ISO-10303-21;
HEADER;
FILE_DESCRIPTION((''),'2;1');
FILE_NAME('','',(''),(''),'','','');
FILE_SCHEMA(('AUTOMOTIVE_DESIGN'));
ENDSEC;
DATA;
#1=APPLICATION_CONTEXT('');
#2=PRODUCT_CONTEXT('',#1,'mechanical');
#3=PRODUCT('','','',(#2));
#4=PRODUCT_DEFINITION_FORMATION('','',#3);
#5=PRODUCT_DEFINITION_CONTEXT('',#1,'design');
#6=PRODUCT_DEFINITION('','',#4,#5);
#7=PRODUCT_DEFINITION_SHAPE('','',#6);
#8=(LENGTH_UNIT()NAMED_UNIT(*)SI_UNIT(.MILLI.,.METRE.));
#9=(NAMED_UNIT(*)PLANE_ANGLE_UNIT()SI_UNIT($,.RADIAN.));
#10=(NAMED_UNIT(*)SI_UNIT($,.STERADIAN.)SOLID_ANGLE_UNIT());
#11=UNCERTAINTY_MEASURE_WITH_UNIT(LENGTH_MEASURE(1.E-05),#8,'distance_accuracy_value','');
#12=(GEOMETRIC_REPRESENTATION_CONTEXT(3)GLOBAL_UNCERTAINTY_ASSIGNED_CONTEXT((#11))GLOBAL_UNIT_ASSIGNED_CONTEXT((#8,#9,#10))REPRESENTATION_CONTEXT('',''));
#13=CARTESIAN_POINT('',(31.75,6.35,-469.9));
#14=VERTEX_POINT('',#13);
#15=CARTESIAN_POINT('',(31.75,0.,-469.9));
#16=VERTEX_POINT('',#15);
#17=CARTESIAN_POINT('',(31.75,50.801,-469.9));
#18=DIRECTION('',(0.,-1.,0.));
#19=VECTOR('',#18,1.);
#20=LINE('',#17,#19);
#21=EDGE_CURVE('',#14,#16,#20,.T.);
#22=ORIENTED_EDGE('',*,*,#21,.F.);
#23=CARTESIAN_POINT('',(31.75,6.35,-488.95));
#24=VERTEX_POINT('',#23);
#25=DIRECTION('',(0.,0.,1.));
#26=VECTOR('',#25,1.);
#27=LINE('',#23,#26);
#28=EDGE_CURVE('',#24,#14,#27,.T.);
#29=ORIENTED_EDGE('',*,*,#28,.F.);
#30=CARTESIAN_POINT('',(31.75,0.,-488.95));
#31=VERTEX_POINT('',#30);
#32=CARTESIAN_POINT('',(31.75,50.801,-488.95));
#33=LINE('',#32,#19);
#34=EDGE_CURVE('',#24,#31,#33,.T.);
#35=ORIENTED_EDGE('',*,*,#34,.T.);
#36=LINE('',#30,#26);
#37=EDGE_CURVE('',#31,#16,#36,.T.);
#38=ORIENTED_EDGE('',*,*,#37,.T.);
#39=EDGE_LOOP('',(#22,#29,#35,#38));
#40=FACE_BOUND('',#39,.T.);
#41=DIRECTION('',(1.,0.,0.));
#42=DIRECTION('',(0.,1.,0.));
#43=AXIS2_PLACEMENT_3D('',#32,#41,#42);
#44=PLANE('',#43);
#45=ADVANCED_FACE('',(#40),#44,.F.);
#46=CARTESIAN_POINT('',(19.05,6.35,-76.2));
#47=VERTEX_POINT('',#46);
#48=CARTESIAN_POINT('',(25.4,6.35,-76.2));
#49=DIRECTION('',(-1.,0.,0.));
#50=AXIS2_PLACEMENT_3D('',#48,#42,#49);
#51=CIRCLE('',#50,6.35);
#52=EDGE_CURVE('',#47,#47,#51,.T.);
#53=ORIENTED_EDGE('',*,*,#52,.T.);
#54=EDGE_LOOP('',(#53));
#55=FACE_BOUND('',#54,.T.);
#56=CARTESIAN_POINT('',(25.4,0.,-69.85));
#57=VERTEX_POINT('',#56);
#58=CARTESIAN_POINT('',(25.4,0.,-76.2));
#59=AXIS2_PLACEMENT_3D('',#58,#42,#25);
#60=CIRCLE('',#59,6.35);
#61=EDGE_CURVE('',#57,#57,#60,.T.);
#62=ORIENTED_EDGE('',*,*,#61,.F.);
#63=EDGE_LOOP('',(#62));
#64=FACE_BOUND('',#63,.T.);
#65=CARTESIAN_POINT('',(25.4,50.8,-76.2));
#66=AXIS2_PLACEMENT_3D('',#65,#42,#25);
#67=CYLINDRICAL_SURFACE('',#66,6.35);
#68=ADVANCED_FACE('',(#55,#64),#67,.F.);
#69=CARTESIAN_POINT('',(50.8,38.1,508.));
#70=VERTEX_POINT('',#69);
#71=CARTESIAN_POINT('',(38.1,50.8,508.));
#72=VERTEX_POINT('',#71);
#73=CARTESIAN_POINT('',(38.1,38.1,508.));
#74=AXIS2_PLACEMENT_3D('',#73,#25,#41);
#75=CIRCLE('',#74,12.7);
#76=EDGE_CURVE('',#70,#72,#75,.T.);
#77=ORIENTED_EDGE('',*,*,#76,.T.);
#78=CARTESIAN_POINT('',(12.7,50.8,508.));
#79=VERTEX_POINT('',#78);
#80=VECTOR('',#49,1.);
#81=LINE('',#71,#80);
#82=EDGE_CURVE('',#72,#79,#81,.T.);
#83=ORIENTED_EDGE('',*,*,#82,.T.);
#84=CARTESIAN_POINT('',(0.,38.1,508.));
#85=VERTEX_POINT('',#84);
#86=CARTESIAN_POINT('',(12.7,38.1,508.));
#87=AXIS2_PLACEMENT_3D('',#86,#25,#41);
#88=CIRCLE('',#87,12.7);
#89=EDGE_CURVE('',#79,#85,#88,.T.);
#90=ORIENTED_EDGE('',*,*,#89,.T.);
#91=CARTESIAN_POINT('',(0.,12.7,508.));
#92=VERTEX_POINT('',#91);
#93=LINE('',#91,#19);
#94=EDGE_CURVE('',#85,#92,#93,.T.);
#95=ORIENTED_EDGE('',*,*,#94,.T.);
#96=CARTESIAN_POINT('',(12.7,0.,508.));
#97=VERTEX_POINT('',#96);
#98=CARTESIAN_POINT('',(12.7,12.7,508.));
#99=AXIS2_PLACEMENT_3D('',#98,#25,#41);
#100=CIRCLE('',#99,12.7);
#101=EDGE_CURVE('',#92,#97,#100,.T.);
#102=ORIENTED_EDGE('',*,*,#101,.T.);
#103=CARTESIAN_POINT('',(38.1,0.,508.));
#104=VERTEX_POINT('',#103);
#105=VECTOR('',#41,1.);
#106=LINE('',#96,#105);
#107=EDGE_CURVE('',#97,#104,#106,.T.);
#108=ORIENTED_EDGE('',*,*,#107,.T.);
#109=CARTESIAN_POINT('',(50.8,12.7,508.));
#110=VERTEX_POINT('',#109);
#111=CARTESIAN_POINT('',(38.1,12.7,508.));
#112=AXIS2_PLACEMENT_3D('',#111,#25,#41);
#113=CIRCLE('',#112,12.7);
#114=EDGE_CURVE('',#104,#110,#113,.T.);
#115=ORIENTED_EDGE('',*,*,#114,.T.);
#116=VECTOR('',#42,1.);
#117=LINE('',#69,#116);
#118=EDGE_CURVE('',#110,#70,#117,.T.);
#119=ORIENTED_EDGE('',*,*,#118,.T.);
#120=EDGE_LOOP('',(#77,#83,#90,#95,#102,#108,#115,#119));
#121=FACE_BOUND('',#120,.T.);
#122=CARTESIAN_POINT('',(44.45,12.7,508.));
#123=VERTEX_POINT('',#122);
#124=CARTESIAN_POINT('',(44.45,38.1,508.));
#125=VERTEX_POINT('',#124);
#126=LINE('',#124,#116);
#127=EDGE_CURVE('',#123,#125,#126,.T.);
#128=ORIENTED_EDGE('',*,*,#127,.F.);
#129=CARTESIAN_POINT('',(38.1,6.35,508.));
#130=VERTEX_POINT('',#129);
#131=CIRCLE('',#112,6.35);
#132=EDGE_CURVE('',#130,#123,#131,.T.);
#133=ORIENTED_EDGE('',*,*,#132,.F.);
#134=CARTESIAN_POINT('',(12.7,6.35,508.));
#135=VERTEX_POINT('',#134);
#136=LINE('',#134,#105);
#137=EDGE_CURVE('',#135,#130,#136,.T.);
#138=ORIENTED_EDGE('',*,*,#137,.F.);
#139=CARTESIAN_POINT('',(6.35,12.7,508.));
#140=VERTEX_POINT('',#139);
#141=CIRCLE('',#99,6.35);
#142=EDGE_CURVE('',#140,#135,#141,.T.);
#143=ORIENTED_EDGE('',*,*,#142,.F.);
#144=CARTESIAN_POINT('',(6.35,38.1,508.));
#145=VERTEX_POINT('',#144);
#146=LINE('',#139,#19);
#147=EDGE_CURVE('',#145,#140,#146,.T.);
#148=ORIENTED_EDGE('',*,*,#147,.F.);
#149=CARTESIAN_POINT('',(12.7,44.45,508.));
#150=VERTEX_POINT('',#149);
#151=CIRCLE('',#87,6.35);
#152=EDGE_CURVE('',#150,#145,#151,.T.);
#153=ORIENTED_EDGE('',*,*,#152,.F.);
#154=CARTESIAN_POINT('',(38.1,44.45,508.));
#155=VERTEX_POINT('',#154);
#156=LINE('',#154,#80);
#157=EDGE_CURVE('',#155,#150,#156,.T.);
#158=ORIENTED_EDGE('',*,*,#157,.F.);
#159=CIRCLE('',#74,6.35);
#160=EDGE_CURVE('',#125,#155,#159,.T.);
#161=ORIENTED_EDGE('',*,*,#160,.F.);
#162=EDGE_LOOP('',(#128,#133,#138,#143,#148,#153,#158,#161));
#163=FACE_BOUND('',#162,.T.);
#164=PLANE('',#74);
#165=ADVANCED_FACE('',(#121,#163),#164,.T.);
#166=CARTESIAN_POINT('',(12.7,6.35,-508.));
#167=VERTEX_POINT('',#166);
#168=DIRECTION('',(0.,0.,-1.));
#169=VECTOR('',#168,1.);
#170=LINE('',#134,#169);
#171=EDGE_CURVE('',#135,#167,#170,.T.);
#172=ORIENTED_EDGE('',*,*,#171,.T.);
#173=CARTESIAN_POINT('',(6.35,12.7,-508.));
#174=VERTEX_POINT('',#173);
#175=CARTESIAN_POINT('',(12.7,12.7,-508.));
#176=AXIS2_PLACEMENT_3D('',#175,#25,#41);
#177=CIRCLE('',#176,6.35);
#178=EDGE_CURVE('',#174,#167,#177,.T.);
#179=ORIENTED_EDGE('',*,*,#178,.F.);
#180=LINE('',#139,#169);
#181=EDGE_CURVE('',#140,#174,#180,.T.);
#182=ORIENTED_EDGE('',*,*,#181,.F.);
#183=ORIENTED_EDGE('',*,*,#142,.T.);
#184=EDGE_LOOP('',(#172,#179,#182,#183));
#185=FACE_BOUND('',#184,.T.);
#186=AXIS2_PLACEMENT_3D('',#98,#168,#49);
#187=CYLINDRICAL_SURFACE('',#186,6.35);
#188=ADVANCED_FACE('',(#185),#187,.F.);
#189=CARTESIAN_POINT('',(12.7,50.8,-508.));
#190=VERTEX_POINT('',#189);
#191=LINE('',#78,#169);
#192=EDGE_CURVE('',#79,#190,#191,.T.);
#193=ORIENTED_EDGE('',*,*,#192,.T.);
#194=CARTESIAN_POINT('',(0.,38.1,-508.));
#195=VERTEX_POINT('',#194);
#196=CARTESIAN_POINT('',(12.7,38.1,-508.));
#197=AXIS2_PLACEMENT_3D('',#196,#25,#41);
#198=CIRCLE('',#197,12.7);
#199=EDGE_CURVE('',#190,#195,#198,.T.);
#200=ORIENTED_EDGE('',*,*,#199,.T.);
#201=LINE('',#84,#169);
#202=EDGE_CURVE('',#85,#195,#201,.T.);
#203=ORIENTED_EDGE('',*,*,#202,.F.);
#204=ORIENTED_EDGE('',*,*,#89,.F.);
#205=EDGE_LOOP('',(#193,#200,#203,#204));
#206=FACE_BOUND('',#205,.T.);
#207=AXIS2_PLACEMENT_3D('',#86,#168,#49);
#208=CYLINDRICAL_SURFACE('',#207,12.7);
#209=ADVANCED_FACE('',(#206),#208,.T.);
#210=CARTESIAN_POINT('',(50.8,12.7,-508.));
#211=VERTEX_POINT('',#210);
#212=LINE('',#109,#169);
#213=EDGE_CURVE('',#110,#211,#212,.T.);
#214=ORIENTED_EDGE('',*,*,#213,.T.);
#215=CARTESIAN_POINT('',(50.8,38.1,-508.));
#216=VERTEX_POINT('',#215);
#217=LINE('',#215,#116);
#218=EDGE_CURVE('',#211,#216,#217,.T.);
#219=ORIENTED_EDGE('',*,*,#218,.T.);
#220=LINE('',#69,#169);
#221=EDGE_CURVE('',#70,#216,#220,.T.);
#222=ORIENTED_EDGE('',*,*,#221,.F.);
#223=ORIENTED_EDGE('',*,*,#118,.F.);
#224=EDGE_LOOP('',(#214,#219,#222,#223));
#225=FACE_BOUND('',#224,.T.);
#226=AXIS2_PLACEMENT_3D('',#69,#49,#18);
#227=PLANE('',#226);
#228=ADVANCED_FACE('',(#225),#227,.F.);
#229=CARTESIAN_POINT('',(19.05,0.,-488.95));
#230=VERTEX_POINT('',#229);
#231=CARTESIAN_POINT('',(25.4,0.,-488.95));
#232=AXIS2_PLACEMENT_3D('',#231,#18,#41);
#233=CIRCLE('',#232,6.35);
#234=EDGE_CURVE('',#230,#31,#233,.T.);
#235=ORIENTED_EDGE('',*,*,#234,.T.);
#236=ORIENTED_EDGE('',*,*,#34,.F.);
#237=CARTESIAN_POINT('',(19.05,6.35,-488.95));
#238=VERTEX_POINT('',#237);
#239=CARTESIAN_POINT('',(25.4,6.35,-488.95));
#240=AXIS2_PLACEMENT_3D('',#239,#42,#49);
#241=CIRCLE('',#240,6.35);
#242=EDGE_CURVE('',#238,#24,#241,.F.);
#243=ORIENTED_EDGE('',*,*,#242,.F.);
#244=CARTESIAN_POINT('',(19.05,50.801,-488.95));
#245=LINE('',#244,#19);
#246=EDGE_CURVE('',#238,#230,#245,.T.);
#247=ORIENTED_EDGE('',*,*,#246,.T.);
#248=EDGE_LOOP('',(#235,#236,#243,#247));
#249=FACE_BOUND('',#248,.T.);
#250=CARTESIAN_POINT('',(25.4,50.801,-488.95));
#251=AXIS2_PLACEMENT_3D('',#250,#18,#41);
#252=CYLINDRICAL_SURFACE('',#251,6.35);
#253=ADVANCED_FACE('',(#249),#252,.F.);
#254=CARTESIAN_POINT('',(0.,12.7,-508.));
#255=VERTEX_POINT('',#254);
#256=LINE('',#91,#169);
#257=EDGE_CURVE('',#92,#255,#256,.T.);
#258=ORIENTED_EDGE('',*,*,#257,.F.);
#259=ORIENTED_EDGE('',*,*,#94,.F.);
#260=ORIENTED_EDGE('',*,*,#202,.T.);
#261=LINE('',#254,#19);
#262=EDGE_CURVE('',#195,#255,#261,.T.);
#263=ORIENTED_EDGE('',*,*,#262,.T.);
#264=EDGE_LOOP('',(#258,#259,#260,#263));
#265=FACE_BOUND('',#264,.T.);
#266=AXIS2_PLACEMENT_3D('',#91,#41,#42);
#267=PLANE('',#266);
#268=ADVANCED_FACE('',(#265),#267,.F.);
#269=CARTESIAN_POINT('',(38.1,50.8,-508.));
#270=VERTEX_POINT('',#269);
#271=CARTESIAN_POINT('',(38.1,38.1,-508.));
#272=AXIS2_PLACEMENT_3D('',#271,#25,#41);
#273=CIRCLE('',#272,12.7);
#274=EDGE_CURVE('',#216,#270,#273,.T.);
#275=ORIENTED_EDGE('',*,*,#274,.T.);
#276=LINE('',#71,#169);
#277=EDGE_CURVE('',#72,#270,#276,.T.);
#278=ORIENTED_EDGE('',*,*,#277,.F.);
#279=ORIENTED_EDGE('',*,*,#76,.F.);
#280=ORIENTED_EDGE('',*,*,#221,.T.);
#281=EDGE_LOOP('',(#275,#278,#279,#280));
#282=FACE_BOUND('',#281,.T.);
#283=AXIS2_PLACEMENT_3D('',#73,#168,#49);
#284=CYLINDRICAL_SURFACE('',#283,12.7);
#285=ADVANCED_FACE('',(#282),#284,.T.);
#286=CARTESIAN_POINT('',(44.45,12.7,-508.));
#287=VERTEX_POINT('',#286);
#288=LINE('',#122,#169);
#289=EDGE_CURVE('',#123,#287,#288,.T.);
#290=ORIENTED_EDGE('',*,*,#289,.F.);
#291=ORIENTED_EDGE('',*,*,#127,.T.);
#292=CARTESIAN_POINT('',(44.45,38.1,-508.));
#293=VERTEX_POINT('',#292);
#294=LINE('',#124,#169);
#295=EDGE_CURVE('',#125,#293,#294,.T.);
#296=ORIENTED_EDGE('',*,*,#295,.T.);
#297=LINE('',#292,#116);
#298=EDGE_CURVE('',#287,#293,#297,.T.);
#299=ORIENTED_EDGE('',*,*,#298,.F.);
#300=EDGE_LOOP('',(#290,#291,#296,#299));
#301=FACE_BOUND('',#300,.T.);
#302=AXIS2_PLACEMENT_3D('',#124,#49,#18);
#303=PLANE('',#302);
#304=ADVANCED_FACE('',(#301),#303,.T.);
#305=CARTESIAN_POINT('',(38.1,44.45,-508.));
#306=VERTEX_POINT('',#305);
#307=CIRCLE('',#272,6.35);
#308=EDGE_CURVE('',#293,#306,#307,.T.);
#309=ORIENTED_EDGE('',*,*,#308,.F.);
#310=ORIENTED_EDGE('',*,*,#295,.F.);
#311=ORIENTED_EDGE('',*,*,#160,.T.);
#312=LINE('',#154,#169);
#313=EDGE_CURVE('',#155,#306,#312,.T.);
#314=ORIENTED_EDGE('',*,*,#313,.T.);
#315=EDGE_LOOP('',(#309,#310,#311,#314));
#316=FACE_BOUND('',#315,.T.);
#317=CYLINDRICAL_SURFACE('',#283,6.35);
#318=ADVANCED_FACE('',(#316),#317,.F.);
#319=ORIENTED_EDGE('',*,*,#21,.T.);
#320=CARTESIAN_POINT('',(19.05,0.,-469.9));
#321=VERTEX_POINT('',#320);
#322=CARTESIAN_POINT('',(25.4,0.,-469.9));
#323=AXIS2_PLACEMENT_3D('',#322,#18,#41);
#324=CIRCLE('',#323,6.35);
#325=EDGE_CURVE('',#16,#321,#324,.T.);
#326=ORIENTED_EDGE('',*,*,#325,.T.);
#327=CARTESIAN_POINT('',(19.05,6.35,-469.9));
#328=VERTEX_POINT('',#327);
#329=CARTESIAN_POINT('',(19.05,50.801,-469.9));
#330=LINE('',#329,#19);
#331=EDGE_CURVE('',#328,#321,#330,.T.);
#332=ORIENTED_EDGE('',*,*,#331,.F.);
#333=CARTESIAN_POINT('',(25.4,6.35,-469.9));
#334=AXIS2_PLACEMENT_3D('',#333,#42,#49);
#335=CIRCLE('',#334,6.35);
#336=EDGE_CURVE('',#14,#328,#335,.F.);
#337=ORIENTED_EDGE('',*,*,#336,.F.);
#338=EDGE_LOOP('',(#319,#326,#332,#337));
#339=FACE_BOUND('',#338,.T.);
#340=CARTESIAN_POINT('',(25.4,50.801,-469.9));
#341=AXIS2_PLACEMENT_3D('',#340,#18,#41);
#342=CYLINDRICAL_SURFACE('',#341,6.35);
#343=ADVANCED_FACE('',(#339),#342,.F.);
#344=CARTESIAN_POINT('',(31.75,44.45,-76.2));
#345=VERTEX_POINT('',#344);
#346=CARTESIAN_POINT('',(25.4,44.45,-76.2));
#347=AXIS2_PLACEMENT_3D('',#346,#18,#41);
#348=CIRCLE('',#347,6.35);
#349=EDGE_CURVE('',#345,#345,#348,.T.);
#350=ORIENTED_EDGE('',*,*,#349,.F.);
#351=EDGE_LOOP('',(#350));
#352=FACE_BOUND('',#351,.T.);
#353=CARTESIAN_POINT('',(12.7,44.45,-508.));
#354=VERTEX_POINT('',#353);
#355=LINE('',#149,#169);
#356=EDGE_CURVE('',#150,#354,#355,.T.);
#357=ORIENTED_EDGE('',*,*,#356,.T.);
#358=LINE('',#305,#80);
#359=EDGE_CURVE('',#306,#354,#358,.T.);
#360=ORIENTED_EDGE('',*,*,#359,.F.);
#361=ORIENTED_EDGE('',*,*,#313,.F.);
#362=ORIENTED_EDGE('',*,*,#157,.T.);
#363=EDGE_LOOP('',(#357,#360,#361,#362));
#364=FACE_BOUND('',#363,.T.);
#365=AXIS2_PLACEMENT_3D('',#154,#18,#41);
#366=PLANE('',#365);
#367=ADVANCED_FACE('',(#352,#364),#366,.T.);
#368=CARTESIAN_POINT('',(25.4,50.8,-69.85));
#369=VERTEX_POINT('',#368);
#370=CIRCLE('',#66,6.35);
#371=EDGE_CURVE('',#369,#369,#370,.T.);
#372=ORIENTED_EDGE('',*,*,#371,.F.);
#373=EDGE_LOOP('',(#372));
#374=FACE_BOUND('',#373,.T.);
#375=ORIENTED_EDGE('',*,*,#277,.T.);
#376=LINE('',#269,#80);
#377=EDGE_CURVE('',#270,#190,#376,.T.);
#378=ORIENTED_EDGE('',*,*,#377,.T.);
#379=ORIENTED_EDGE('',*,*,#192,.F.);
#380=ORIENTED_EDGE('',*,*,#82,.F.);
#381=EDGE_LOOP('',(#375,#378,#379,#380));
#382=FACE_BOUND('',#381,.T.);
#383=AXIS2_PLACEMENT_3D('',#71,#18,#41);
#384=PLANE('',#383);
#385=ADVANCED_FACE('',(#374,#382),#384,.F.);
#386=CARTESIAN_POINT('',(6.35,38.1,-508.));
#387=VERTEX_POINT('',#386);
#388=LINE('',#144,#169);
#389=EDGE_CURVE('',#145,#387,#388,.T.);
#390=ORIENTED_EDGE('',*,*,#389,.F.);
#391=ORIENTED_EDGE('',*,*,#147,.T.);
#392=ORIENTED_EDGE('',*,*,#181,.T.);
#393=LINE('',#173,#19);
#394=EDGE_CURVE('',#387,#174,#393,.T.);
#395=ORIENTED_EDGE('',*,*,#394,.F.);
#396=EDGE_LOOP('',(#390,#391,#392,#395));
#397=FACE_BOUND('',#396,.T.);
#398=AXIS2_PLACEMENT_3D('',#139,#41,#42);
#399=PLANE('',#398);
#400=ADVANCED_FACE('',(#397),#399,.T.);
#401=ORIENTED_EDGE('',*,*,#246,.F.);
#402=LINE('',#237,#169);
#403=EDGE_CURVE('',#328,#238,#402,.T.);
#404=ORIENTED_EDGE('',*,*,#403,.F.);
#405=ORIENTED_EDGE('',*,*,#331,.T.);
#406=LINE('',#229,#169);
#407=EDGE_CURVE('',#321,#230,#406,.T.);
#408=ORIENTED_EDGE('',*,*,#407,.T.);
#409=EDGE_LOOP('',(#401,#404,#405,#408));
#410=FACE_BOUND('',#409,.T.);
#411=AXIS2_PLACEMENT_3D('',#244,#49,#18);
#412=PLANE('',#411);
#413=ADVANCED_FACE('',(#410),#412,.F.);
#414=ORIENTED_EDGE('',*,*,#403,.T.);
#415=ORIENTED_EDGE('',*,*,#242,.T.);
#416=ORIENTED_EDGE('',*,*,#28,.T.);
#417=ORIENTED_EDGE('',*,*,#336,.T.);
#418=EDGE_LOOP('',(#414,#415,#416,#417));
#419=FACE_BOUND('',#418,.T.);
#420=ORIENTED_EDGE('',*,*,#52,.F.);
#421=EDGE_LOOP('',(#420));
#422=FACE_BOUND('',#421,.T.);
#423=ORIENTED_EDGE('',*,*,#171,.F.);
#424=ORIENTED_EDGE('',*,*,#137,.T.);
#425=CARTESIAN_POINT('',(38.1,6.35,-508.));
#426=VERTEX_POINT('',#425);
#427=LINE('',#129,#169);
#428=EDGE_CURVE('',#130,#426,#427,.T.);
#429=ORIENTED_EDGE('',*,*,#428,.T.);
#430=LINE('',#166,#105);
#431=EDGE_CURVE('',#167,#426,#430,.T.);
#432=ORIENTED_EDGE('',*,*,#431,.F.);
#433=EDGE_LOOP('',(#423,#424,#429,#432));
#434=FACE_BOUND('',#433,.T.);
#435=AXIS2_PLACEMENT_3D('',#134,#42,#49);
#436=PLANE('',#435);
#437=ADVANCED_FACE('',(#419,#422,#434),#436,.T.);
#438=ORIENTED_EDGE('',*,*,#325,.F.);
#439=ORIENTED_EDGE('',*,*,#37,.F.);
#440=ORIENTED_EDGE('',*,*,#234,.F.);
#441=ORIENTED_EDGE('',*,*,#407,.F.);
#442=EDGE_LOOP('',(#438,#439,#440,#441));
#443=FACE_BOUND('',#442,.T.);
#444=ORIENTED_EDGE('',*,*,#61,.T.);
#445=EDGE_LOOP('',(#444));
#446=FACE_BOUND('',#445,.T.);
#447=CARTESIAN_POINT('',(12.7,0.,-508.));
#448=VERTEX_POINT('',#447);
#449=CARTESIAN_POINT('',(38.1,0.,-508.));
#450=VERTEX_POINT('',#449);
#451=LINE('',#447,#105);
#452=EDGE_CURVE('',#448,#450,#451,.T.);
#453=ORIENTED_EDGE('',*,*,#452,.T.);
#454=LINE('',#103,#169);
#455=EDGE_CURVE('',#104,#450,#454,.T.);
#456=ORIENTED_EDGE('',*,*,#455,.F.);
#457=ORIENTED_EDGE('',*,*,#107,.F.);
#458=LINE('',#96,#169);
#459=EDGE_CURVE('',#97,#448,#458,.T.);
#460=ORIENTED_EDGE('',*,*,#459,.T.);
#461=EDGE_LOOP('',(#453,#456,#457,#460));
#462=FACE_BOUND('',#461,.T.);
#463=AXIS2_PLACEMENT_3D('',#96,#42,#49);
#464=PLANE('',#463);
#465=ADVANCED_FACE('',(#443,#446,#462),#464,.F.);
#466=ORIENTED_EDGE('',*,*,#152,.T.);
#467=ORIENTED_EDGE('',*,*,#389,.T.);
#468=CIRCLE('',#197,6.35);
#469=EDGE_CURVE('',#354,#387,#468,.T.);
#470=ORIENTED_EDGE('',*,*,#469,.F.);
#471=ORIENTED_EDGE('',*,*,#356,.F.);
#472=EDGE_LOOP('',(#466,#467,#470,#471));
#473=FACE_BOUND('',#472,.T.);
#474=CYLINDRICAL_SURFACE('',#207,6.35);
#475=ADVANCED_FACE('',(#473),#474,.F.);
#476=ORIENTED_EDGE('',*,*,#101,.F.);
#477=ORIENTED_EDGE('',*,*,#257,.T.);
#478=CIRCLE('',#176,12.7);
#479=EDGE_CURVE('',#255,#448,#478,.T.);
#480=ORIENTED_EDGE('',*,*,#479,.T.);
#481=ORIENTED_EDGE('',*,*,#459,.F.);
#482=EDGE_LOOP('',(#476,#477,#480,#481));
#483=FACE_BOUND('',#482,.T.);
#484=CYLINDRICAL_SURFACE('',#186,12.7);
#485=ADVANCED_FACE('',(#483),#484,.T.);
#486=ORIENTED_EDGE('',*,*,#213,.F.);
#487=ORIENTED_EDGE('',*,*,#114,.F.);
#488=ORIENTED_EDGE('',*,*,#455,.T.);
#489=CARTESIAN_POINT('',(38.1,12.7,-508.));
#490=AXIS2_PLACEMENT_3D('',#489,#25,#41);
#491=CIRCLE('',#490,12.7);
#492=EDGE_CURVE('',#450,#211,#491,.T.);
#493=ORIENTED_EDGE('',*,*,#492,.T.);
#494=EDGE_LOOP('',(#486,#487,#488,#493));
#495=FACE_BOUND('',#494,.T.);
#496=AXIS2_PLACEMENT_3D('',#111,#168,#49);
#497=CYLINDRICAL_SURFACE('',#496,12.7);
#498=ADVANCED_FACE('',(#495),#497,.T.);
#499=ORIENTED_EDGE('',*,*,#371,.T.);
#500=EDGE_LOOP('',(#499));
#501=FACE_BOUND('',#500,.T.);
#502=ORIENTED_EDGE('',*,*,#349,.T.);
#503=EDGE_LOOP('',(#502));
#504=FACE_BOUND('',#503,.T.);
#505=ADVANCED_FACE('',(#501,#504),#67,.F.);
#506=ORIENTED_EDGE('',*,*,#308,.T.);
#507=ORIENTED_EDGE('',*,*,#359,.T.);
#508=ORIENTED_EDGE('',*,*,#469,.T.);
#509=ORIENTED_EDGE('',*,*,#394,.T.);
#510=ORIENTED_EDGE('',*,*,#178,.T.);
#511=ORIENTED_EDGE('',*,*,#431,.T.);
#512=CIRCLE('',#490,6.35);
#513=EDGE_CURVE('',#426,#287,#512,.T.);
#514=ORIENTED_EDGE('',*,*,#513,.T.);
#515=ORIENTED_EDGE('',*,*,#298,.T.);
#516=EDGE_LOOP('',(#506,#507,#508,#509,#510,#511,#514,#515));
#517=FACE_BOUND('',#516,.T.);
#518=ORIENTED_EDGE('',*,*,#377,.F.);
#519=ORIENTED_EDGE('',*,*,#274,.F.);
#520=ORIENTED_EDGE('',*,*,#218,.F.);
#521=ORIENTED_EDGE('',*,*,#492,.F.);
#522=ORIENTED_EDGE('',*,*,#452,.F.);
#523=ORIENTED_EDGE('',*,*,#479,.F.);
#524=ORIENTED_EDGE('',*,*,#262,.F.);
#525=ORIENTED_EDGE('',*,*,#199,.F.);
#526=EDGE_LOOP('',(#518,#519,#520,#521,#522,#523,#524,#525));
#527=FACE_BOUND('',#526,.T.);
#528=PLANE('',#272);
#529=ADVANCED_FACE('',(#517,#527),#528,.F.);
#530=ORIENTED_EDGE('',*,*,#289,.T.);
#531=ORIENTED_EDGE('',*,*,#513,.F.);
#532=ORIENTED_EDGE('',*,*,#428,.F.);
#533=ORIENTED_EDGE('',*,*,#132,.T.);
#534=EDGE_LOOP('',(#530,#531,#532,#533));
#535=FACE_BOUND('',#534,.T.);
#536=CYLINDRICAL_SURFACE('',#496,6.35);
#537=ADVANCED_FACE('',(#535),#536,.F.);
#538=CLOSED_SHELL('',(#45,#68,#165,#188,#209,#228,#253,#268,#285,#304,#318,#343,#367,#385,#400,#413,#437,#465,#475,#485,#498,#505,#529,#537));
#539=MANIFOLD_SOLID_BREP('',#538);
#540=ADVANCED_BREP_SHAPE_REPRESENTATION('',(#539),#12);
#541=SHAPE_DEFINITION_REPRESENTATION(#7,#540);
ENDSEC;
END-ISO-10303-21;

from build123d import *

# Parameters (mm, degrees)
BOSS_EXTRUDE1_DEPTH        = 508
F_1_2_0_5_DIAMETER_HOLE1_D = 12.7
CUT_EXTRUDE3_REACH         = 52.8


with BuildPart() as part:
    # Sketch1 → Boss-Extrude1 (new body, symmetric)
    with BuildSketch(Plane.XY):
        with BuildLine():
            Line((12.7, 0), (38.1, 0))
            ThreePointArc((38.1, 0), (47.080256121, 3.719743879), (50.8, 12.7))
            Line((50.8, 12.7), (50.8, 38.1))
            ThreePointArc((50.8, 38.1), (47.080256121, 47.080256121), (38.1, 50.8))
            Line((38.1, 50.8), (12.7, 50.8))
            ThreePointArc((12.7, 50.8), (3.719743879, 47.080256121), (0, 38.1))
            Line((0, 38.1), (0, 12.7))
            ThreePointArc((0, 12.7), (3.719743879, 3.719743879), (12.7, 0))
        make_face()
        with BuildLine():
            Line((12.7, 6.35), (38.1, 6.35))
            ThreePointArc((38.1, 6.35), (42.590128061, 8.209871939), (44.45, 12.7))
            Line((44.45, 12.7), (44.45, 38.1))
            ThreePointArc((44.45, 38.1), (42.590128061, 42.590128061), (38.1, 44.45))
            Line((38.1, 44.45), (12.7, 44.45))
            ThreePointArc((12.7, 44.45), (8.209871939, 42.590128061), (6.35, 38.1))
            Line((6.35, 38.1), (6.35, 12.7))
            ThreePointArc((6.35, 12.7), (8.209871939, 8.209871939), (12.7, 6.35))
        make_face(mode=Mode.SUBTRACT)
    extrude(amount=BOSS_EXTRUDE1_DEPTH, both=True)

    # 1/2 (0.5) Diameter Hole1 (through all)
    with Locations(Plane(origin=(0, 50.8, 0), x_dir=(-1, 0, 0), z_dir=(0, 1, 0))):
        with Locations((-25.4, -76.2)):
            Hole(F_1_2_0_5_DIAMETER_HOLE1_D / 2)

    # Sketch9 → Cut-Extrude3 (cut, up to next)
    with BuildSketch(Plane.XZ, mode=Mode.PRIVATE) as cut_extrude3_sk1:
        with BuildLine():
            Line((19.05, -488.95), (19.05, -469.9))
            ThreePointArc((19.05, -469.9), (25.4, -463.55), (31.75, -469.9))
            Line((31.75, -469.9), (31.75, -488.95))
            ThreePointArc((31.75, -488.95), (25.4, -495.3), (19.05, -488.95))
        make_face()
    cut_extrude3_tool1 = extrude(cut_extrude3_sk1.sketch, amount=-CUT_EXTRUDE3_REACH, mode=Mode.PRIVATE) & part.part
    add(cut_extrude3_tool1.solids().sort_by_distance((25.4, 0, -479.425))[0], mode=Mode.SUBTRACT)


solid = part.part
